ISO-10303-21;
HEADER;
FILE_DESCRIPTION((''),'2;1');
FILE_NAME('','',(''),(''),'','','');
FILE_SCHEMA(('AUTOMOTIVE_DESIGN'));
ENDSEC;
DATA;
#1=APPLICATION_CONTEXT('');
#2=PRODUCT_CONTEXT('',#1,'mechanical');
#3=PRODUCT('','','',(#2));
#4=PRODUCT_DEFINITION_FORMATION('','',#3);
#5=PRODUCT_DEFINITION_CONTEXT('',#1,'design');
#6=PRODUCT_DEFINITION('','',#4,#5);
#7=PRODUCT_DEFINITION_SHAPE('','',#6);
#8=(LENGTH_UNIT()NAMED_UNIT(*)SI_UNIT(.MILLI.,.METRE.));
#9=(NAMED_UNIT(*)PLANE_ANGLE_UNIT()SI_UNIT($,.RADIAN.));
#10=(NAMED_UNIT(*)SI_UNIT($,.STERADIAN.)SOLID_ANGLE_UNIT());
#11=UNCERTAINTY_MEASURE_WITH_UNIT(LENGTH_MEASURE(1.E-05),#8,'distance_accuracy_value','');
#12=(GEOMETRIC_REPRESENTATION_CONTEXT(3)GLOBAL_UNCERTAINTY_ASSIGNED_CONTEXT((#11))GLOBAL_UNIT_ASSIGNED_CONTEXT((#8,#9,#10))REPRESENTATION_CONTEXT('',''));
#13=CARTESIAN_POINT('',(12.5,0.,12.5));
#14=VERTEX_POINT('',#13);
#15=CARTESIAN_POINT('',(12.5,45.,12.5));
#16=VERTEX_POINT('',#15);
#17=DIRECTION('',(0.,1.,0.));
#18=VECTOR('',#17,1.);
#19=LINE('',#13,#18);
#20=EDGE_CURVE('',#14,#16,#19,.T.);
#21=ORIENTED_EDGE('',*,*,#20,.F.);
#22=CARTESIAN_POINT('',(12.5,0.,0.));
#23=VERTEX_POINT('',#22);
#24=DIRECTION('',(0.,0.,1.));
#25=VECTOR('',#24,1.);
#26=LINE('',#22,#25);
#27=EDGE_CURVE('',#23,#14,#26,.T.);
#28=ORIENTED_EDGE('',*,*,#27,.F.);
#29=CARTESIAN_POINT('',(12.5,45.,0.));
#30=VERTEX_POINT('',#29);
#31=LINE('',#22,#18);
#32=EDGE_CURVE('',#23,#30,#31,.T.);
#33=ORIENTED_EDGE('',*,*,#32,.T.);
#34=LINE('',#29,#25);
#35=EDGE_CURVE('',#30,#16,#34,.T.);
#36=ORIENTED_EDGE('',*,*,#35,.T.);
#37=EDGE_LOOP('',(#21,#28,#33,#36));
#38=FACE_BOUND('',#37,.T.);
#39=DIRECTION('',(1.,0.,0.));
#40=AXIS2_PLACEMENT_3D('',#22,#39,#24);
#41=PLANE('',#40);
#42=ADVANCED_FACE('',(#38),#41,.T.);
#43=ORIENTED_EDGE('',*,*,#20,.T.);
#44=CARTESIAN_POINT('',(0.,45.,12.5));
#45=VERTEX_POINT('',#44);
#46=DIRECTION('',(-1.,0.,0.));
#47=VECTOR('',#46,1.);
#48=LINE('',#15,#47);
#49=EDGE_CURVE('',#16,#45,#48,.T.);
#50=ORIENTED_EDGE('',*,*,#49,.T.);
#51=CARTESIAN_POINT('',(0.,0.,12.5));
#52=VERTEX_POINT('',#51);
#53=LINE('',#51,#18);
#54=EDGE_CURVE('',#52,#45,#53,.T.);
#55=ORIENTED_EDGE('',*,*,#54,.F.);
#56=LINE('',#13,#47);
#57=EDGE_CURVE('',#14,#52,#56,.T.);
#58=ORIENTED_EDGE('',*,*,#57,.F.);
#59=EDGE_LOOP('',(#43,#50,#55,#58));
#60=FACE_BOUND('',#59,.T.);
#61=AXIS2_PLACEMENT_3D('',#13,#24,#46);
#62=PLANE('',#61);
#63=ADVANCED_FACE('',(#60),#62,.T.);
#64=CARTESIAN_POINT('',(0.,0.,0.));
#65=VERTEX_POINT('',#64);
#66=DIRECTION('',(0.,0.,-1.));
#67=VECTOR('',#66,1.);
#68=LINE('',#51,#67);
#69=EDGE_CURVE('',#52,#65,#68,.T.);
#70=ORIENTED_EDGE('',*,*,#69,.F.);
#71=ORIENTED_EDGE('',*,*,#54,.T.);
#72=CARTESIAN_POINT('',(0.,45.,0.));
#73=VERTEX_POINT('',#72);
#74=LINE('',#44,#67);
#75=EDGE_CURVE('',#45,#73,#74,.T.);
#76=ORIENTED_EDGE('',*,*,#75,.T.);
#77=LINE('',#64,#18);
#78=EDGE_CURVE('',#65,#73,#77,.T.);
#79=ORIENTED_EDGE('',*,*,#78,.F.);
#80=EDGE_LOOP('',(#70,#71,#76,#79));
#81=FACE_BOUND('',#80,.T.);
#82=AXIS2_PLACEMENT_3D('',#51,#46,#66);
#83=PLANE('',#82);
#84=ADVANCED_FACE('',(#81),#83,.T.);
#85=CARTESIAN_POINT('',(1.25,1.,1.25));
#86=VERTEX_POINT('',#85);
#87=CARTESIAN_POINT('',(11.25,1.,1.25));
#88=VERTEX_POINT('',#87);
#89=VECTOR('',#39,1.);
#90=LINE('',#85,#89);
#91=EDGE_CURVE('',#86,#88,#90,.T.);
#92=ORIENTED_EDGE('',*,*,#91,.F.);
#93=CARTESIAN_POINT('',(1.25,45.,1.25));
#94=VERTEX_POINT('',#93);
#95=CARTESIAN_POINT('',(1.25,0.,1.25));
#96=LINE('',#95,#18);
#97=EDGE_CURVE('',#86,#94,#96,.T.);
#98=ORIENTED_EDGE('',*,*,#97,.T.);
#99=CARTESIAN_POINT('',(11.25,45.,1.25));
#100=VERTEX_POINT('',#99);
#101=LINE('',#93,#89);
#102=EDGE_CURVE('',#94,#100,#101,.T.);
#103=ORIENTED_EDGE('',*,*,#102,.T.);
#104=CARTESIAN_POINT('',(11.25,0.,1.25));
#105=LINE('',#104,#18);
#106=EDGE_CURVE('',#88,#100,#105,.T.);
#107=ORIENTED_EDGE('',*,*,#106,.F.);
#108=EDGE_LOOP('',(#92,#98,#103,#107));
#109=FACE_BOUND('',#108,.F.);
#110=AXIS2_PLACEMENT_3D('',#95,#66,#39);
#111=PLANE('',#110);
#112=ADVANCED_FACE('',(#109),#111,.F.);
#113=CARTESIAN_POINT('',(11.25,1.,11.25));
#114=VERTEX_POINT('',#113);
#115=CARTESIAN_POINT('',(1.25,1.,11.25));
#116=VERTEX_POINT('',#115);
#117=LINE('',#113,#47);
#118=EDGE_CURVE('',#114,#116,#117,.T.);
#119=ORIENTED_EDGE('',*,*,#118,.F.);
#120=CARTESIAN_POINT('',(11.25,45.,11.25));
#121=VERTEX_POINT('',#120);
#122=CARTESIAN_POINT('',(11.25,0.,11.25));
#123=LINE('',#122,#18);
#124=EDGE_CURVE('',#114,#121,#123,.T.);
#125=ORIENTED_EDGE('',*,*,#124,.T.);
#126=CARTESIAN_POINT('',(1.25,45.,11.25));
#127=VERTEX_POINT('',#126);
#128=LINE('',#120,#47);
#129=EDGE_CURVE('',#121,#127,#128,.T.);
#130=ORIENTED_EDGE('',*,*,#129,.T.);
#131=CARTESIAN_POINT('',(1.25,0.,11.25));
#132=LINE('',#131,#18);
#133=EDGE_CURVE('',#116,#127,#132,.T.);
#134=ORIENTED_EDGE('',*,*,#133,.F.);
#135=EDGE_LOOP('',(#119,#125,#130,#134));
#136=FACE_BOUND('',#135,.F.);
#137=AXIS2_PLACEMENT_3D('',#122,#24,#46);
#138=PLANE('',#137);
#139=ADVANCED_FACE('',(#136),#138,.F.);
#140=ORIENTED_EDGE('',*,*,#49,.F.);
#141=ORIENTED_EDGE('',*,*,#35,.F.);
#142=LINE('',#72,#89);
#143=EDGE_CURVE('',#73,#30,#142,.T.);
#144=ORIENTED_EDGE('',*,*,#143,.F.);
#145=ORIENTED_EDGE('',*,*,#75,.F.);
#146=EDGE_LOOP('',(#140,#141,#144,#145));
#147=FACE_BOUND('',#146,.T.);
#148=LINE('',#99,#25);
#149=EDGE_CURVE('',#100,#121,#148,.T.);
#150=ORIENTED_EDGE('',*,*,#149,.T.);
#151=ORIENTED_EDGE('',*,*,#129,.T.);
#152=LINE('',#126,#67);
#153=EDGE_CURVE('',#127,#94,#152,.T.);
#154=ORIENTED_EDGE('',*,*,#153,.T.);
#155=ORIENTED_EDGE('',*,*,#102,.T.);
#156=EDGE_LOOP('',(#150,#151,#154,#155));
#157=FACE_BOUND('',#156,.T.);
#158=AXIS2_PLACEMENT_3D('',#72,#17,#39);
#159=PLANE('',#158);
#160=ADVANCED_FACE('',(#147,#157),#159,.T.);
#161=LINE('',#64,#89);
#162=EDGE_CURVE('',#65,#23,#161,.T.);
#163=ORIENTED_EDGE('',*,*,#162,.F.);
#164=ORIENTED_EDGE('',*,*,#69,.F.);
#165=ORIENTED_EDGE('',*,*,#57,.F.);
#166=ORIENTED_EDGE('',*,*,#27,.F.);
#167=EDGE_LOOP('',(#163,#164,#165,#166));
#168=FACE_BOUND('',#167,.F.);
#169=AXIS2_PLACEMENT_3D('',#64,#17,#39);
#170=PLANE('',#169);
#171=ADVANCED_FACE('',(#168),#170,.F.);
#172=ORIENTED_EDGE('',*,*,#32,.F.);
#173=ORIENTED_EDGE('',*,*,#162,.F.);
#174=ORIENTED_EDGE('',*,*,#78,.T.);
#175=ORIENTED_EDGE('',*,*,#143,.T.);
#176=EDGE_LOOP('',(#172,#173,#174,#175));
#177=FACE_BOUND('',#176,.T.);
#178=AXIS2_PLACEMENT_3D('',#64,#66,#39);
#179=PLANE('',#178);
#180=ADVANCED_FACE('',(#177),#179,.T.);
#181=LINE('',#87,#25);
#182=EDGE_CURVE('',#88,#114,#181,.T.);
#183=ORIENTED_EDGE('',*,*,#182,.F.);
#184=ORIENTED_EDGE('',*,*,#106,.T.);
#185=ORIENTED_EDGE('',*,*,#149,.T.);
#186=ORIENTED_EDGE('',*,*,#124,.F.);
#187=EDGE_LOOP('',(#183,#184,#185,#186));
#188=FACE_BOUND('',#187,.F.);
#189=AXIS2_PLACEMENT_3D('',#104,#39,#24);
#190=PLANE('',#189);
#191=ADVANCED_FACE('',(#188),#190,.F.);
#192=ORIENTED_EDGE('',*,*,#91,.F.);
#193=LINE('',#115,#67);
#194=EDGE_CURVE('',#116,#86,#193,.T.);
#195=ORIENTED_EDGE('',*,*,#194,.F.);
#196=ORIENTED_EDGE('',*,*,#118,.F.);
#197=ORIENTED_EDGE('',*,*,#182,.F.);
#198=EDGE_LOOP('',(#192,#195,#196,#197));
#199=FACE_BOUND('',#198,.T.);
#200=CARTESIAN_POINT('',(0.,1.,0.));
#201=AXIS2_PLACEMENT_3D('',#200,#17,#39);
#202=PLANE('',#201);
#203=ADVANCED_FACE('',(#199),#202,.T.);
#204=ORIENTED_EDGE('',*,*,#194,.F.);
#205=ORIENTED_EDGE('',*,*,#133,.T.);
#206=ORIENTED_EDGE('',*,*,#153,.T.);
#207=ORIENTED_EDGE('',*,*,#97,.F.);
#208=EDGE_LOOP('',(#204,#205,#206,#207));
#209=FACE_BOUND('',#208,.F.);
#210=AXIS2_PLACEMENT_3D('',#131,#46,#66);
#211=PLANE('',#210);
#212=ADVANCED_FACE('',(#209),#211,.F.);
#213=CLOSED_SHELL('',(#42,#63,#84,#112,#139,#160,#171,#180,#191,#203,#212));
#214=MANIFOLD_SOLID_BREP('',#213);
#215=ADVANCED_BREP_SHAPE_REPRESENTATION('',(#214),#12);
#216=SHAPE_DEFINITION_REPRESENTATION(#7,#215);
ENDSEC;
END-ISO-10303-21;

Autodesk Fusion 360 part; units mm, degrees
sketch "Sketch1" plane through (0, 0, 0) normal (0, 1, 0) x (1, 0, 0)
  line L0 (0, 0) -> (12.5, 0)
  line L1 (12.5, 0) -> (12.5, -12.5)
  line L2 (12.5, -12.5) -> (0, -12.5)
  line L3 (0, -12.5) -> (0, 0)
  line L4 (11.25, -11.25) -> (1.25, -11.25)
  line L5 (1.25, -11.25) -> (1.25, -1.25)
  line L6 (1.25, -1.25) -> (11.25, -1.25)
  line L7 (11.25, -1.25) -> (11.25, -11.25)
  dimension "d1" = 12.5
  dimension "d2" = 90
  dimension "d3" = 12.5
  dimension "d4" = 1.25
extrude "Extrude1" add sketch "Sketch1" along normal blind 1 contours L4 L5 L6 L7
extrude "Extrude2" add sketch "Sketch1" along normal blind 45
